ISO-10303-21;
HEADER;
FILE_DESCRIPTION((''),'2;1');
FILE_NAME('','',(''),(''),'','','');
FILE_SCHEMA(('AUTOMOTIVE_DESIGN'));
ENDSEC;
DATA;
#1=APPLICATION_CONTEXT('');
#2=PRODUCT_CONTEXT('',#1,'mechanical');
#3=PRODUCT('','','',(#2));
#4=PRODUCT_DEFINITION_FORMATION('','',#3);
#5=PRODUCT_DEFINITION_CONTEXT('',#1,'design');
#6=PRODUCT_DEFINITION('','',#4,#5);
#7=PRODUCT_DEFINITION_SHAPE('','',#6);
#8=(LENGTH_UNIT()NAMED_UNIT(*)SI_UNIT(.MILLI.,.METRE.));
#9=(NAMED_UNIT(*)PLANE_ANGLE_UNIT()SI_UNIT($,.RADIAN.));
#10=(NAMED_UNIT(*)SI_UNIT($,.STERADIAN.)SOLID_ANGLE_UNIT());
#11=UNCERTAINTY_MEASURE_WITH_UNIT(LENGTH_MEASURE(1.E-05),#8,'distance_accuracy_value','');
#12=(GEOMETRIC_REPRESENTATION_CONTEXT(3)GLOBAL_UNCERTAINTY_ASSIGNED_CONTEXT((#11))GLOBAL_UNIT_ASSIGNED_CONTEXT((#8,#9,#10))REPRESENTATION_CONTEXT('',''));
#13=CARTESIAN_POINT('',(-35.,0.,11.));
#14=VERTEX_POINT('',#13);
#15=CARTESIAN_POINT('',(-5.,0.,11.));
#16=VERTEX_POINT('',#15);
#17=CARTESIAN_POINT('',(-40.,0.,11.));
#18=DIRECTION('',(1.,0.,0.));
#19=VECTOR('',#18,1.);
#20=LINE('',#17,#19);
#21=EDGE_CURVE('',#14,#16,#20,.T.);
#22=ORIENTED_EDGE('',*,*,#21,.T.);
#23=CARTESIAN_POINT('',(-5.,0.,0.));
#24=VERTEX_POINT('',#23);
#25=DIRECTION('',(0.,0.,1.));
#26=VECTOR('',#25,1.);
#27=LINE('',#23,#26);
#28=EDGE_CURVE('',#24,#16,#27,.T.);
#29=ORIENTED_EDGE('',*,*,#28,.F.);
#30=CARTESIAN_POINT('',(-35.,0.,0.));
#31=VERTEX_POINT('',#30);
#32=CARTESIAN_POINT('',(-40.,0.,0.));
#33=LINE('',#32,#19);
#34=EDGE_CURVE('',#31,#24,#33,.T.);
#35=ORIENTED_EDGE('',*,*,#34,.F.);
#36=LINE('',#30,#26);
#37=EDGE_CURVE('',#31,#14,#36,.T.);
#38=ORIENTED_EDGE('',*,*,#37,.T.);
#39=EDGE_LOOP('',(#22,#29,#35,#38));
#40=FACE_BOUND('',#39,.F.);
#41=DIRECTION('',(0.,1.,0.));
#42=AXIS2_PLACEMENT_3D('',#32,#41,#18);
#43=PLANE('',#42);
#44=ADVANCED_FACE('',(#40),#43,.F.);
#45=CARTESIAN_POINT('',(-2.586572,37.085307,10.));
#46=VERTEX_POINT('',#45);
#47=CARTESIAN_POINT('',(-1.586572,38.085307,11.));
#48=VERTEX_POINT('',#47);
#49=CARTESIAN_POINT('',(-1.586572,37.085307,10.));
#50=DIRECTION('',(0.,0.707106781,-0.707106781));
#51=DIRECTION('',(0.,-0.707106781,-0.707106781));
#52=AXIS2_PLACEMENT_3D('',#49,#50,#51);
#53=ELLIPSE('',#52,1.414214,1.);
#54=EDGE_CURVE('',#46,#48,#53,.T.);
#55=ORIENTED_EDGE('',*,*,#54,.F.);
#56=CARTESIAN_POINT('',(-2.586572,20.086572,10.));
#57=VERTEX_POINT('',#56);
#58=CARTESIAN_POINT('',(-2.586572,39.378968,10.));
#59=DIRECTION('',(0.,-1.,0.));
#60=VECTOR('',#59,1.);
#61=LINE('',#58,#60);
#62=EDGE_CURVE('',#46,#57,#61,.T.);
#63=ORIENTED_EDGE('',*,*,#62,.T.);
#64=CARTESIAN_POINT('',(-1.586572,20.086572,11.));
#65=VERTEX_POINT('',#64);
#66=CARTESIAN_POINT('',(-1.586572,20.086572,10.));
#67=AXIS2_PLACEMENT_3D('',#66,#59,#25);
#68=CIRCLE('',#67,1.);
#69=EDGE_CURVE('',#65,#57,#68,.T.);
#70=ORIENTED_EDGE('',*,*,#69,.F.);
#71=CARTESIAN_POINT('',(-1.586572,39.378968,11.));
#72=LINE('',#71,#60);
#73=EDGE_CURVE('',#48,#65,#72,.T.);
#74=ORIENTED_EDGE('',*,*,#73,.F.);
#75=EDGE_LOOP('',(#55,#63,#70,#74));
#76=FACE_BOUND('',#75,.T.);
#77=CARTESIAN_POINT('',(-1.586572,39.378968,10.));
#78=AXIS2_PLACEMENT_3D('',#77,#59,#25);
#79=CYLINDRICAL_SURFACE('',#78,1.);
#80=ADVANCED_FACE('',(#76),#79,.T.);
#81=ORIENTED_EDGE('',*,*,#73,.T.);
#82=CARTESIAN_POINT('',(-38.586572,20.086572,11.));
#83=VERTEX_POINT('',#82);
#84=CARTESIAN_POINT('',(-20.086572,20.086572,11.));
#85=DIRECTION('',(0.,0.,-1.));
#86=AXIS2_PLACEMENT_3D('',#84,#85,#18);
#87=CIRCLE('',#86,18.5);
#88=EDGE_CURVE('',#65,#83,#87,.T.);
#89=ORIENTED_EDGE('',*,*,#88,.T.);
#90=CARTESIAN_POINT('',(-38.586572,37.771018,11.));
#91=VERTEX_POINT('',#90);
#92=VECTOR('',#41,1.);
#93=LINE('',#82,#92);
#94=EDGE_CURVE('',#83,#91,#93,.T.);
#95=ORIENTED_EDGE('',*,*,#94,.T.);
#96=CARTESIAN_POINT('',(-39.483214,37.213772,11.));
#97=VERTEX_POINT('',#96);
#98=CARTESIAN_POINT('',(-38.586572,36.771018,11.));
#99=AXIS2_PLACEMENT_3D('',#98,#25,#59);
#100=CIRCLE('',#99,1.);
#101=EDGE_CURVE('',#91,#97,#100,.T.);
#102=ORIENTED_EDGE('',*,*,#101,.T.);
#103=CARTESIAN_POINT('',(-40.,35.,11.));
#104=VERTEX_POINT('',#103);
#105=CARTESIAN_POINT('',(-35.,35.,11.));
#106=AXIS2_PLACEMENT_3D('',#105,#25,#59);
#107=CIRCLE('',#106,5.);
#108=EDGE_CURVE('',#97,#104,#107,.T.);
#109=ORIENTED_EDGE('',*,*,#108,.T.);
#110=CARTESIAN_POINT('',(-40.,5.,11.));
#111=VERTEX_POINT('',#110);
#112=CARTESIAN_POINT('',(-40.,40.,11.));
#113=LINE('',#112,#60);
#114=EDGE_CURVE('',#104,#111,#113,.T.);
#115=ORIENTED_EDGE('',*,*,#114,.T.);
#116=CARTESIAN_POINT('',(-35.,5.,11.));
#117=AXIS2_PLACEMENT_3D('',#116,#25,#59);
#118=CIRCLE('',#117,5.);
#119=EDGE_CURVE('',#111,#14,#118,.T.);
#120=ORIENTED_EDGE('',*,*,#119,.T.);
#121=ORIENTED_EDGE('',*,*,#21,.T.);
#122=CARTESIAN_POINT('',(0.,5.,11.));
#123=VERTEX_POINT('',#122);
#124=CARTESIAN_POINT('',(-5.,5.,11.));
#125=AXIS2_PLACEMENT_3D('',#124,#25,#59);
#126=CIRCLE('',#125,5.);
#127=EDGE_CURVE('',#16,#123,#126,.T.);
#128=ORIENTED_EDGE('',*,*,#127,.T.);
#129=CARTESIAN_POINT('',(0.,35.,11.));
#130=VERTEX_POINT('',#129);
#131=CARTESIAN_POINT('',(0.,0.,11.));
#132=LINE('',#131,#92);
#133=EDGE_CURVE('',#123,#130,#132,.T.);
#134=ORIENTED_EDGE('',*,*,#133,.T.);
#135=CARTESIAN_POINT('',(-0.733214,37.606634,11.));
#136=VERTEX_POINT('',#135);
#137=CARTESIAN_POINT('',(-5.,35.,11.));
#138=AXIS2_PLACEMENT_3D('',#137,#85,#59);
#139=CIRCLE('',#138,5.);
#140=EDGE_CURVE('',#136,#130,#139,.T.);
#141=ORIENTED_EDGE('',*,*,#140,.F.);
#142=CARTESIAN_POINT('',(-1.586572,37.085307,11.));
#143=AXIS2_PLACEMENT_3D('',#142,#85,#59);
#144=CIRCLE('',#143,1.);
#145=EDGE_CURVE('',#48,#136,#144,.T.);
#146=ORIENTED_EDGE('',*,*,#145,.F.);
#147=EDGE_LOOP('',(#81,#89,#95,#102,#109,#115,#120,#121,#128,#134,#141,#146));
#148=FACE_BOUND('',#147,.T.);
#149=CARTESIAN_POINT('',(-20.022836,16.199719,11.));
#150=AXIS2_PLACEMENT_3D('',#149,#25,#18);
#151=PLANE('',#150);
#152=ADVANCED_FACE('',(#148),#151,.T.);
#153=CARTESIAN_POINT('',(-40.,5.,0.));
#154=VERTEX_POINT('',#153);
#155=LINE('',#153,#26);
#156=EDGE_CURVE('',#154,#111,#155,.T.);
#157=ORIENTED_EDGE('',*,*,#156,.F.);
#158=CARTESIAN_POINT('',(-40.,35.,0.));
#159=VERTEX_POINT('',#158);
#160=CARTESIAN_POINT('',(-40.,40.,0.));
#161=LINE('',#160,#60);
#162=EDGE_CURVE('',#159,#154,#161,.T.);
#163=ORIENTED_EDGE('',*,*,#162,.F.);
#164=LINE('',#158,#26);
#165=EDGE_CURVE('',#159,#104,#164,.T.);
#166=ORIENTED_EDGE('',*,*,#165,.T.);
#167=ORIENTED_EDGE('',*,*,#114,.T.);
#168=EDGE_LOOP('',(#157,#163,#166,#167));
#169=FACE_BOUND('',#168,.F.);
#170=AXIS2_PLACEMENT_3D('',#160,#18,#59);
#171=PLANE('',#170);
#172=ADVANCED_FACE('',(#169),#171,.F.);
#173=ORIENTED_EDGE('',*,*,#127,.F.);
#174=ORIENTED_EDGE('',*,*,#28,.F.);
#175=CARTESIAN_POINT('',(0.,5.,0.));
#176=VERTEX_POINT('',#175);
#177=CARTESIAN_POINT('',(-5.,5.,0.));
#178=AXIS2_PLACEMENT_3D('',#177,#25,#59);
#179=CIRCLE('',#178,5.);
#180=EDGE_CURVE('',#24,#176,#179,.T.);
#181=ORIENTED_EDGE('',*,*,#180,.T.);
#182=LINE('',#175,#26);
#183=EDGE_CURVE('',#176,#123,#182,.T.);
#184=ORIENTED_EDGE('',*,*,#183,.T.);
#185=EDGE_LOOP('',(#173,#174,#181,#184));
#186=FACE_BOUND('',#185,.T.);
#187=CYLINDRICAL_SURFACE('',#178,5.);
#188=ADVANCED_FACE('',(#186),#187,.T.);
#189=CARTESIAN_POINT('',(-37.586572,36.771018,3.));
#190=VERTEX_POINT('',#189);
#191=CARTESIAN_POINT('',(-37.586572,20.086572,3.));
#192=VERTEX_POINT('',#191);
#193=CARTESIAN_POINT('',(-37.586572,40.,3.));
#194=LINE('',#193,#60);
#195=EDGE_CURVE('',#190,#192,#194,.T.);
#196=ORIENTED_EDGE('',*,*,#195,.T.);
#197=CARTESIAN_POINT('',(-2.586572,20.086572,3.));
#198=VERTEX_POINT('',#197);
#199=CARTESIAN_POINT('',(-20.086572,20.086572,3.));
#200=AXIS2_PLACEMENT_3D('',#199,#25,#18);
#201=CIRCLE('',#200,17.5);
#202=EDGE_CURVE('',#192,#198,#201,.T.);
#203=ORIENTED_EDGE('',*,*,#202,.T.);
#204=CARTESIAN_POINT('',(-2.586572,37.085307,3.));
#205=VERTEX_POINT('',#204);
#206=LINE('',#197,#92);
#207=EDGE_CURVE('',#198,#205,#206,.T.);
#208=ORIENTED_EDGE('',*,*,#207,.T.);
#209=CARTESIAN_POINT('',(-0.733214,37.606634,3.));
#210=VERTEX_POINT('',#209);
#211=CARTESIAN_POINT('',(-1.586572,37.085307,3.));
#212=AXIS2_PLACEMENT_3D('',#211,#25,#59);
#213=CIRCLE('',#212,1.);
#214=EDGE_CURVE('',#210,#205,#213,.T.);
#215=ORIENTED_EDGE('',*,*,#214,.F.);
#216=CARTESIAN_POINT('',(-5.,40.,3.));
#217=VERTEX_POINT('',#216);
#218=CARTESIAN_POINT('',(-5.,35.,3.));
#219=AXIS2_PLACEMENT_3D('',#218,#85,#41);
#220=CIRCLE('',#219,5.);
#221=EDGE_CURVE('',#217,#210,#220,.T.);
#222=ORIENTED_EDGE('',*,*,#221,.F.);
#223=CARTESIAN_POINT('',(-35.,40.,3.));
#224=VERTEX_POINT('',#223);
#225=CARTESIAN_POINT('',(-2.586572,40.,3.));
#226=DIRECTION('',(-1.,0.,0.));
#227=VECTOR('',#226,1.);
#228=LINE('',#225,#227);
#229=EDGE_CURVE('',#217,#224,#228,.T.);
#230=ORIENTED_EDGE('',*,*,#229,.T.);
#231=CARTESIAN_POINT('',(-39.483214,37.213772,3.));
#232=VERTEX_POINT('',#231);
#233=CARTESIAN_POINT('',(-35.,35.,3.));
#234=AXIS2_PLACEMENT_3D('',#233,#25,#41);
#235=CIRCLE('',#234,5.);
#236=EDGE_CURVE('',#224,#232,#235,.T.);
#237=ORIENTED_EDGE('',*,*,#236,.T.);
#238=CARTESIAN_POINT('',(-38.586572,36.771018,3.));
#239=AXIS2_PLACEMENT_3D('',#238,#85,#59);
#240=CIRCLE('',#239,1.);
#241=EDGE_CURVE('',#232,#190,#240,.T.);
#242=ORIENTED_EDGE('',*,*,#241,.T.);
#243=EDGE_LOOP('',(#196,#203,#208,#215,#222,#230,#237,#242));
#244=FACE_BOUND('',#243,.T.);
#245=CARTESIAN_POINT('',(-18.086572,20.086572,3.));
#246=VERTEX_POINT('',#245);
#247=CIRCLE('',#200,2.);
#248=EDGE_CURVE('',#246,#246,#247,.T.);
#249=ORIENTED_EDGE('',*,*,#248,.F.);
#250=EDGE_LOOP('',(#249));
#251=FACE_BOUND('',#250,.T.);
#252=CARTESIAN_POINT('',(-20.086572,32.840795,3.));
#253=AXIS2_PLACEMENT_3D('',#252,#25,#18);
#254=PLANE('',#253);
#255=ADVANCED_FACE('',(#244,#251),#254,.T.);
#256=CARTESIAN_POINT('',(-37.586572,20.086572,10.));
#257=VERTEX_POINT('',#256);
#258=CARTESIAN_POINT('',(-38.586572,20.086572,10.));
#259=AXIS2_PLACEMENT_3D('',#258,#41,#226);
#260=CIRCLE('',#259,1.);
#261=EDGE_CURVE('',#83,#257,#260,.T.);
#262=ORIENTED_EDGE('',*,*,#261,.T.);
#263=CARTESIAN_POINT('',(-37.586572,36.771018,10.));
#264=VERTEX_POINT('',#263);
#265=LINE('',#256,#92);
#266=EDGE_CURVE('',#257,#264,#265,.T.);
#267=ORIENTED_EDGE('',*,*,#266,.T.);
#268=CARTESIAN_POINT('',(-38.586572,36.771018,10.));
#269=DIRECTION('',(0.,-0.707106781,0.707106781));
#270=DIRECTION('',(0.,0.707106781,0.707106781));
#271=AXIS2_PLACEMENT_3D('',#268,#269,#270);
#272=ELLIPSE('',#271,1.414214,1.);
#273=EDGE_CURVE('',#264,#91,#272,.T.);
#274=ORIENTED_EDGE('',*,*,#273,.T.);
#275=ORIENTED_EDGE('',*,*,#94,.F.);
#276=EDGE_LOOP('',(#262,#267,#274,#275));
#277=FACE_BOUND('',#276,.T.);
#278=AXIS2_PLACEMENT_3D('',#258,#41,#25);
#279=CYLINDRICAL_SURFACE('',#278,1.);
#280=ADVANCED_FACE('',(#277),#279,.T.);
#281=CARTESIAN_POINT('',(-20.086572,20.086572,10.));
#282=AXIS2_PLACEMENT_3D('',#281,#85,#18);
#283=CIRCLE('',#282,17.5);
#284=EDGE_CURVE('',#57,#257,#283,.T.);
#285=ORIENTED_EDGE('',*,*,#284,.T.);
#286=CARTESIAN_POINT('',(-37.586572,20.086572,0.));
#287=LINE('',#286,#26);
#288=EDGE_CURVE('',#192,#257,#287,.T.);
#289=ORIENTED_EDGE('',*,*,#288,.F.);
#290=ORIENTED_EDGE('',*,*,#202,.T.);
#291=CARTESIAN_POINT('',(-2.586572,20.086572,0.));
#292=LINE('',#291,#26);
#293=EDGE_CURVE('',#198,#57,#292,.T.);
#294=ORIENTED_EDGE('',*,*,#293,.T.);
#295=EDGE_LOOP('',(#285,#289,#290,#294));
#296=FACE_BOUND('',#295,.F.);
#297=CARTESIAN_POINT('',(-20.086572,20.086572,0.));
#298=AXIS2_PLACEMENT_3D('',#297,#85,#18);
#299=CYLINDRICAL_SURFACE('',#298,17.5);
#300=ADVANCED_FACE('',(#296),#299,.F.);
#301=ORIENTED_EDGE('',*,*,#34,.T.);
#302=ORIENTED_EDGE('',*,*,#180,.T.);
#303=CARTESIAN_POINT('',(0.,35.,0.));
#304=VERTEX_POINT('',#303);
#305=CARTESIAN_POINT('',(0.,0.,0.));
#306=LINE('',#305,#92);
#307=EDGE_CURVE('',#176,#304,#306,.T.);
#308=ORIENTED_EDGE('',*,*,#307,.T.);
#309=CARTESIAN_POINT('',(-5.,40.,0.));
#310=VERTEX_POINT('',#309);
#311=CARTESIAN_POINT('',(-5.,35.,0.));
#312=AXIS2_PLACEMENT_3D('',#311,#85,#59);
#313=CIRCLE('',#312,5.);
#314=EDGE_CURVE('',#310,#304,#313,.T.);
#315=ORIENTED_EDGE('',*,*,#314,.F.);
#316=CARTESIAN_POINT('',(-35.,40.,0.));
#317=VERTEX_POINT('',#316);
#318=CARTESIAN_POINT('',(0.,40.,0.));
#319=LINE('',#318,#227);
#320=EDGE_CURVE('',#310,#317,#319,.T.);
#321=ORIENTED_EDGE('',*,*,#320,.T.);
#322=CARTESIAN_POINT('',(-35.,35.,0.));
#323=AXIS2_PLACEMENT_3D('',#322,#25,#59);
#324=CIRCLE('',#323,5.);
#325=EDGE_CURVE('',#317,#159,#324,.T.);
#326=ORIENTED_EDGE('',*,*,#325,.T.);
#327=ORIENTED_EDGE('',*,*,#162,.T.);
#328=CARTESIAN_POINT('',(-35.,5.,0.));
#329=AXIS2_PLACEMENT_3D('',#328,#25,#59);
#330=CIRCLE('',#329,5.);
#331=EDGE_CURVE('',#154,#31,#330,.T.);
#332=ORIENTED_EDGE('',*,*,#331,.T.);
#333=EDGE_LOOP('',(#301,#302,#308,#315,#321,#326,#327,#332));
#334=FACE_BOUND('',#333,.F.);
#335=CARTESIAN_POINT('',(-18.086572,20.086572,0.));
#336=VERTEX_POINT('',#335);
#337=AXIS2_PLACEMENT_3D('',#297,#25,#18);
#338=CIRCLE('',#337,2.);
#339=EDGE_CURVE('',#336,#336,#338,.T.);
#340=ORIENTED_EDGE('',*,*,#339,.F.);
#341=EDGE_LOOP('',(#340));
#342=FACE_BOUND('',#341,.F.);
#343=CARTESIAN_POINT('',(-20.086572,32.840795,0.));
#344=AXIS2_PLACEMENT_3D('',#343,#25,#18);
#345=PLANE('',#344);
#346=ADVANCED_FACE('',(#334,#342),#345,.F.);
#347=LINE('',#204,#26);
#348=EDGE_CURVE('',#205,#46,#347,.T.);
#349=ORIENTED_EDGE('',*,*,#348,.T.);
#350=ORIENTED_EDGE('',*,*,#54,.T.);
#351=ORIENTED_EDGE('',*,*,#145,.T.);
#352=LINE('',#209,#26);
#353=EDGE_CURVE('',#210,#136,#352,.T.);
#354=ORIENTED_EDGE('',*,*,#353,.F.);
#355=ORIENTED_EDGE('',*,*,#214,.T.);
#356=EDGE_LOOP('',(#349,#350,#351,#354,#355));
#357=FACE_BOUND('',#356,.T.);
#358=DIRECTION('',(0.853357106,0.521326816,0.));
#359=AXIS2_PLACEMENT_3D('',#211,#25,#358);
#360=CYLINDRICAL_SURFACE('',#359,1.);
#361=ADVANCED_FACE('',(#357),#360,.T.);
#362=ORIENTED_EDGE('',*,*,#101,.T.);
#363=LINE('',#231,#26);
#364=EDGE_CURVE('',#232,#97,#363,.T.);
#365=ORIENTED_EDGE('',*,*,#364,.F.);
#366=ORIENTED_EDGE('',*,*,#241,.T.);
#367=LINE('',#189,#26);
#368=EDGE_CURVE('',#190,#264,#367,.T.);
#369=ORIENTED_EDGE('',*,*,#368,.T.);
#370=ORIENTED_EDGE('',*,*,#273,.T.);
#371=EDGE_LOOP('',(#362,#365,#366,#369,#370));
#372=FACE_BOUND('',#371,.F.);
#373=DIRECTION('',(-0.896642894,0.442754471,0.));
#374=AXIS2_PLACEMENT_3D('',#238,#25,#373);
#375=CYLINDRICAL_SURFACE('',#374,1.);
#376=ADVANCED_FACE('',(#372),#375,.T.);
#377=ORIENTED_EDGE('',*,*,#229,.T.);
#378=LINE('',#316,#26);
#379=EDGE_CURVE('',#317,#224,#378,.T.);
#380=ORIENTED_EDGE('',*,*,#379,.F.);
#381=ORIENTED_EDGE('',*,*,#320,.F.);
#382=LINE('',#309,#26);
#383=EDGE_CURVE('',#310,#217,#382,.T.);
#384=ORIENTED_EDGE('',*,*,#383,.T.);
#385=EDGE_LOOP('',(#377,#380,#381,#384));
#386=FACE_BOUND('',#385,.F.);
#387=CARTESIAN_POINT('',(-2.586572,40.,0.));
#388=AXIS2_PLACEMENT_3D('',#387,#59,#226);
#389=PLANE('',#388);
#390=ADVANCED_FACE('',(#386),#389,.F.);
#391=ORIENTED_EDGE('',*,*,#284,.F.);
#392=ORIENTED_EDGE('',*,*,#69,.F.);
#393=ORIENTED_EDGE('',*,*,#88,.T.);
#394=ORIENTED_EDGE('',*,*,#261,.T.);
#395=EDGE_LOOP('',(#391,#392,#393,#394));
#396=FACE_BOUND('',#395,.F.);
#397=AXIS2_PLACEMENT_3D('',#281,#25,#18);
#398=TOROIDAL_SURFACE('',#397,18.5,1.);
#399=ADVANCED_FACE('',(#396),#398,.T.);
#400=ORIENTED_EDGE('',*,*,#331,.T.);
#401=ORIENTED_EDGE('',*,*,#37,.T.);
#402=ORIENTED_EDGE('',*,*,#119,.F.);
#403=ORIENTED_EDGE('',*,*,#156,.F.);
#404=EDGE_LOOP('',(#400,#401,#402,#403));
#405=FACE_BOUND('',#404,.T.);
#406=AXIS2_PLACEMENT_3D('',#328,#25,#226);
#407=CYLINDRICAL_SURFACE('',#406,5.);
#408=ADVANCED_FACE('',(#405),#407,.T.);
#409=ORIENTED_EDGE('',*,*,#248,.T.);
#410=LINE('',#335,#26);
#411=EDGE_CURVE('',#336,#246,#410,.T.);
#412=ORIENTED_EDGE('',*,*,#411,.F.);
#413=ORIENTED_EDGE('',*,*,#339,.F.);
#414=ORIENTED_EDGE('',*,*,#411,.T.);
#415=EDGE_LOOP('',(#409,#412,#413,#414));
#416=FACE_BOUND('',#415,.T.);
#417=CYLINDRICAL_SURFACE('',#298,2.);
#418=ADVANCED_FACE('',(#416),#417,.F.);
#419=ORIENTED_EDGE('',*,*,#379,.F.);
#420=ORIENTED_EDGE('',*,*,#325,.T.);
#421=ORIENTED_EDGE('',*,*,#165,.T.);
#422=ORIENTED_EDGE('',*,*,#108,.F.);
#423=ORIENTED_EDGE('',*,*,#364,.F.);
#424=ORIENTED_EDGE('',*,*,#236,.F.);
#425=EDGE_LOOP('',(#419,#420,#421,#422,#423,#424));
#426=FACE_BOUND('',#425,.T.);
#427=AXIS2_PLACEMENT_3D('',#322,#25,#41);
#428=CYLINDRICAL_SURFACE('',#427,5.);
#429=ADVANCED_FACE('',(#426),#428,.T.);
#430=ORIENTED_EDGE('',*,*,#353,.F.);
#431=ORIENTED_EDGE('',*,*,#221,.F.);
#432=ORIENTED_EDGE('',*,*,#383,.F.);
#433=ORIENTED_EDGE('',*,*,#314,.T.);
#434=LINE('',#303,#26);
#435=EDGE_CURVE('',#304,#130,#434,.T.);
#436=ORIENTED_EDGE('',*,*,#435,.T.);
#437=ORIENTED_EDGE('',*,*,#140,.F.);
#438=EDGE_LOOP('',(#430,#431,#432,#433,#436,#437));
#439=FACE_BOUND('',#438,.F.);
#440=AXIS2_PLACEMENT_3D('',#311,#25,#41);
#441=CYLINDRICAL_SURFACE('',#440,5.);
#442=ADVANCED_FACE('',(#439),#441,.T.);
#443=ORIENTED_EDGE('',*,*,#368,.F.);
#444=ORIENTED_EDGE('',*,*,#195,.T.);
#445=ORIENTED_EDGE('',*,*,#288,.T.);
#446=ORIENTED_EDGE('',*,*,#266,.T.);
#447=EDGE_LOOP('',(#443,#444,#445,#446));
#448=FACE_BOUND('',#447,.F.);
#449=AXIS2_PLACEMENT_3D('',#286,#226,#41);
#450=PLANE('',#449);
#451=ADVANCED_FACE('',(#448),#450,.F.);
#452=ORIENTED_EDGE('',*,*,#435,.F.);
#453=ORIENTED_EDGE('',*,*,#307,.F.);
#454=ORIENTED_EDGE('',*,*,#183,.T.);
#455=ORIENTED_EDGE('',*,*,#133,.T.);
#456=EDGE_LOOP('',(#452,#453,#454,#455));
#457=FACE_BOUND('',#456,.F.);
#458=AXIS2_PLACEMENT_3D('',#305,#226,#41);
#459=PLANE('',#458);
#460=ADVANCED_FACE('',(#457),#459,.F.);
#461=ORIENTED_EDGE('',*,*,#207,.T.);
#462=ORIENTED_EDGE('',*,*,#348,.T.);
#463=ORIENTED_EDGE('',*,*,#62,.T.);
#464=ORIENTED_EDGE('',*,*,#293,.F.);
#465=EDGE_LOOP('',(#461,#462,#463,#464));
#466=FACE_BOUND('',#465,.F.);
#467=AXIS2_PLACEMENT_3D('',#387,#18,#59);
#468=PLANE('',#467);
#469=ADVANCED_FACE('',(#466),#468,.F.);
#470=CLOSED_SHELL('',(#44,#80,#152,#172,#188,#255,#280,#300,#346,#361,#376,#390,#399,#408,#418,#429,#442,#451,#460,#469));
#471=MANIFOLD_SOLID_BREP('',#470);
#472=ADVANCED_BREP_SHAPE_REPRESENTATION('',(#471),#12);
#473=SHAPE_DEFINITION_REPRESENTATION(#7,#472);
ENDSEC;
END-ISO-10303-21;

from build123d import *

# Parameters (mm, degrees)
F1_DEPTH = 11
F0_R     = 2
F2_DEPTH = 3
F3_R     = 5
F4_R     = 1


with BuildPart() as f1:
    # F0 (on Top) → F1 (new body)
    with BuildSketch(Plane.XY):
        with BuildLine():
            Line((-40, 0), (0, 0))
            Line((0, 0), (0, 40))
            Line((0, 40), (-2.5865715742, 40))
            Line((-2.5865715742, 40), (-2.5865715742, 20.0865715742))
            ThreePointArc((-2.5865715742, 20.0865715742), (-20.0865715742, 2.5865715742), (-37.5865715742, 20.0865715742))
            Line((-37.5865715742, 20.0865715742), (-37.5865715742, 40))
            Line((-37.5865715742, 40), (-40, 40))
            Line((-40, 40), (-40, 0))
        make_face()
    extrude(amount=F1_DEPTH)

    # F0 (on Top) → F2 (join)
    with BuildSketch(Plane.XY):
        with BuildLine():
            Line((-2.5865715742, 20.0865715742), (-2.5865715742, 40))
            Line((-2.5865715742, 40), (-37.5865715742, 40))
            Line((-37.5865715742, 40), (-37.5865715742, 20.0865715742))
            ThreePointArc((-37.5865715742, 20.0865715742), (-20.0865715742, 37.5865715742), (-2.5865715742, 20.0865715742))
        make_face()
        with BuildLine():
            ThreePointArc((-37.5865715742, 20.0865715742), (-20.0865715742, 2.5865715742), (-2.5865715742, 20.0865715742))
            ThreePointArc((-2.5865715742, 20.0865715742), (-20.0865715742, 37.5865715742), (-37.5865715742, 20.0865715742))
        make_face()
        with Locations((-20.0865715742, 20.0865715742)):
            Circle(F0_R, mode=Mode.SUBTRACT)
    extrude(amount=F2_DEPTH)

    # F3
    f3_edges = [f1.edges().sort_by_distance(p)[0] for p in [
        (-40, 0, 5.5),
        (0, 0, 5.5),
        (0, 40, 5.5),
        (-40, 40, 5.5),
    ]]
    fillet(f3_edges, radius=F3_R)

    # F4
    f4_edges = [f1.edges().sort_by_distance(p)[0] for p in [
        (-20.086572, 2.586572, 11),
        (-37.586572, 29.682774, 11),
        (-2.586572, 39.378968, 7),
        (-37.586572, 39.278977, 7),
    ]]
    fillet(f4_edges, radius=F4_R)


solid = f1.part
